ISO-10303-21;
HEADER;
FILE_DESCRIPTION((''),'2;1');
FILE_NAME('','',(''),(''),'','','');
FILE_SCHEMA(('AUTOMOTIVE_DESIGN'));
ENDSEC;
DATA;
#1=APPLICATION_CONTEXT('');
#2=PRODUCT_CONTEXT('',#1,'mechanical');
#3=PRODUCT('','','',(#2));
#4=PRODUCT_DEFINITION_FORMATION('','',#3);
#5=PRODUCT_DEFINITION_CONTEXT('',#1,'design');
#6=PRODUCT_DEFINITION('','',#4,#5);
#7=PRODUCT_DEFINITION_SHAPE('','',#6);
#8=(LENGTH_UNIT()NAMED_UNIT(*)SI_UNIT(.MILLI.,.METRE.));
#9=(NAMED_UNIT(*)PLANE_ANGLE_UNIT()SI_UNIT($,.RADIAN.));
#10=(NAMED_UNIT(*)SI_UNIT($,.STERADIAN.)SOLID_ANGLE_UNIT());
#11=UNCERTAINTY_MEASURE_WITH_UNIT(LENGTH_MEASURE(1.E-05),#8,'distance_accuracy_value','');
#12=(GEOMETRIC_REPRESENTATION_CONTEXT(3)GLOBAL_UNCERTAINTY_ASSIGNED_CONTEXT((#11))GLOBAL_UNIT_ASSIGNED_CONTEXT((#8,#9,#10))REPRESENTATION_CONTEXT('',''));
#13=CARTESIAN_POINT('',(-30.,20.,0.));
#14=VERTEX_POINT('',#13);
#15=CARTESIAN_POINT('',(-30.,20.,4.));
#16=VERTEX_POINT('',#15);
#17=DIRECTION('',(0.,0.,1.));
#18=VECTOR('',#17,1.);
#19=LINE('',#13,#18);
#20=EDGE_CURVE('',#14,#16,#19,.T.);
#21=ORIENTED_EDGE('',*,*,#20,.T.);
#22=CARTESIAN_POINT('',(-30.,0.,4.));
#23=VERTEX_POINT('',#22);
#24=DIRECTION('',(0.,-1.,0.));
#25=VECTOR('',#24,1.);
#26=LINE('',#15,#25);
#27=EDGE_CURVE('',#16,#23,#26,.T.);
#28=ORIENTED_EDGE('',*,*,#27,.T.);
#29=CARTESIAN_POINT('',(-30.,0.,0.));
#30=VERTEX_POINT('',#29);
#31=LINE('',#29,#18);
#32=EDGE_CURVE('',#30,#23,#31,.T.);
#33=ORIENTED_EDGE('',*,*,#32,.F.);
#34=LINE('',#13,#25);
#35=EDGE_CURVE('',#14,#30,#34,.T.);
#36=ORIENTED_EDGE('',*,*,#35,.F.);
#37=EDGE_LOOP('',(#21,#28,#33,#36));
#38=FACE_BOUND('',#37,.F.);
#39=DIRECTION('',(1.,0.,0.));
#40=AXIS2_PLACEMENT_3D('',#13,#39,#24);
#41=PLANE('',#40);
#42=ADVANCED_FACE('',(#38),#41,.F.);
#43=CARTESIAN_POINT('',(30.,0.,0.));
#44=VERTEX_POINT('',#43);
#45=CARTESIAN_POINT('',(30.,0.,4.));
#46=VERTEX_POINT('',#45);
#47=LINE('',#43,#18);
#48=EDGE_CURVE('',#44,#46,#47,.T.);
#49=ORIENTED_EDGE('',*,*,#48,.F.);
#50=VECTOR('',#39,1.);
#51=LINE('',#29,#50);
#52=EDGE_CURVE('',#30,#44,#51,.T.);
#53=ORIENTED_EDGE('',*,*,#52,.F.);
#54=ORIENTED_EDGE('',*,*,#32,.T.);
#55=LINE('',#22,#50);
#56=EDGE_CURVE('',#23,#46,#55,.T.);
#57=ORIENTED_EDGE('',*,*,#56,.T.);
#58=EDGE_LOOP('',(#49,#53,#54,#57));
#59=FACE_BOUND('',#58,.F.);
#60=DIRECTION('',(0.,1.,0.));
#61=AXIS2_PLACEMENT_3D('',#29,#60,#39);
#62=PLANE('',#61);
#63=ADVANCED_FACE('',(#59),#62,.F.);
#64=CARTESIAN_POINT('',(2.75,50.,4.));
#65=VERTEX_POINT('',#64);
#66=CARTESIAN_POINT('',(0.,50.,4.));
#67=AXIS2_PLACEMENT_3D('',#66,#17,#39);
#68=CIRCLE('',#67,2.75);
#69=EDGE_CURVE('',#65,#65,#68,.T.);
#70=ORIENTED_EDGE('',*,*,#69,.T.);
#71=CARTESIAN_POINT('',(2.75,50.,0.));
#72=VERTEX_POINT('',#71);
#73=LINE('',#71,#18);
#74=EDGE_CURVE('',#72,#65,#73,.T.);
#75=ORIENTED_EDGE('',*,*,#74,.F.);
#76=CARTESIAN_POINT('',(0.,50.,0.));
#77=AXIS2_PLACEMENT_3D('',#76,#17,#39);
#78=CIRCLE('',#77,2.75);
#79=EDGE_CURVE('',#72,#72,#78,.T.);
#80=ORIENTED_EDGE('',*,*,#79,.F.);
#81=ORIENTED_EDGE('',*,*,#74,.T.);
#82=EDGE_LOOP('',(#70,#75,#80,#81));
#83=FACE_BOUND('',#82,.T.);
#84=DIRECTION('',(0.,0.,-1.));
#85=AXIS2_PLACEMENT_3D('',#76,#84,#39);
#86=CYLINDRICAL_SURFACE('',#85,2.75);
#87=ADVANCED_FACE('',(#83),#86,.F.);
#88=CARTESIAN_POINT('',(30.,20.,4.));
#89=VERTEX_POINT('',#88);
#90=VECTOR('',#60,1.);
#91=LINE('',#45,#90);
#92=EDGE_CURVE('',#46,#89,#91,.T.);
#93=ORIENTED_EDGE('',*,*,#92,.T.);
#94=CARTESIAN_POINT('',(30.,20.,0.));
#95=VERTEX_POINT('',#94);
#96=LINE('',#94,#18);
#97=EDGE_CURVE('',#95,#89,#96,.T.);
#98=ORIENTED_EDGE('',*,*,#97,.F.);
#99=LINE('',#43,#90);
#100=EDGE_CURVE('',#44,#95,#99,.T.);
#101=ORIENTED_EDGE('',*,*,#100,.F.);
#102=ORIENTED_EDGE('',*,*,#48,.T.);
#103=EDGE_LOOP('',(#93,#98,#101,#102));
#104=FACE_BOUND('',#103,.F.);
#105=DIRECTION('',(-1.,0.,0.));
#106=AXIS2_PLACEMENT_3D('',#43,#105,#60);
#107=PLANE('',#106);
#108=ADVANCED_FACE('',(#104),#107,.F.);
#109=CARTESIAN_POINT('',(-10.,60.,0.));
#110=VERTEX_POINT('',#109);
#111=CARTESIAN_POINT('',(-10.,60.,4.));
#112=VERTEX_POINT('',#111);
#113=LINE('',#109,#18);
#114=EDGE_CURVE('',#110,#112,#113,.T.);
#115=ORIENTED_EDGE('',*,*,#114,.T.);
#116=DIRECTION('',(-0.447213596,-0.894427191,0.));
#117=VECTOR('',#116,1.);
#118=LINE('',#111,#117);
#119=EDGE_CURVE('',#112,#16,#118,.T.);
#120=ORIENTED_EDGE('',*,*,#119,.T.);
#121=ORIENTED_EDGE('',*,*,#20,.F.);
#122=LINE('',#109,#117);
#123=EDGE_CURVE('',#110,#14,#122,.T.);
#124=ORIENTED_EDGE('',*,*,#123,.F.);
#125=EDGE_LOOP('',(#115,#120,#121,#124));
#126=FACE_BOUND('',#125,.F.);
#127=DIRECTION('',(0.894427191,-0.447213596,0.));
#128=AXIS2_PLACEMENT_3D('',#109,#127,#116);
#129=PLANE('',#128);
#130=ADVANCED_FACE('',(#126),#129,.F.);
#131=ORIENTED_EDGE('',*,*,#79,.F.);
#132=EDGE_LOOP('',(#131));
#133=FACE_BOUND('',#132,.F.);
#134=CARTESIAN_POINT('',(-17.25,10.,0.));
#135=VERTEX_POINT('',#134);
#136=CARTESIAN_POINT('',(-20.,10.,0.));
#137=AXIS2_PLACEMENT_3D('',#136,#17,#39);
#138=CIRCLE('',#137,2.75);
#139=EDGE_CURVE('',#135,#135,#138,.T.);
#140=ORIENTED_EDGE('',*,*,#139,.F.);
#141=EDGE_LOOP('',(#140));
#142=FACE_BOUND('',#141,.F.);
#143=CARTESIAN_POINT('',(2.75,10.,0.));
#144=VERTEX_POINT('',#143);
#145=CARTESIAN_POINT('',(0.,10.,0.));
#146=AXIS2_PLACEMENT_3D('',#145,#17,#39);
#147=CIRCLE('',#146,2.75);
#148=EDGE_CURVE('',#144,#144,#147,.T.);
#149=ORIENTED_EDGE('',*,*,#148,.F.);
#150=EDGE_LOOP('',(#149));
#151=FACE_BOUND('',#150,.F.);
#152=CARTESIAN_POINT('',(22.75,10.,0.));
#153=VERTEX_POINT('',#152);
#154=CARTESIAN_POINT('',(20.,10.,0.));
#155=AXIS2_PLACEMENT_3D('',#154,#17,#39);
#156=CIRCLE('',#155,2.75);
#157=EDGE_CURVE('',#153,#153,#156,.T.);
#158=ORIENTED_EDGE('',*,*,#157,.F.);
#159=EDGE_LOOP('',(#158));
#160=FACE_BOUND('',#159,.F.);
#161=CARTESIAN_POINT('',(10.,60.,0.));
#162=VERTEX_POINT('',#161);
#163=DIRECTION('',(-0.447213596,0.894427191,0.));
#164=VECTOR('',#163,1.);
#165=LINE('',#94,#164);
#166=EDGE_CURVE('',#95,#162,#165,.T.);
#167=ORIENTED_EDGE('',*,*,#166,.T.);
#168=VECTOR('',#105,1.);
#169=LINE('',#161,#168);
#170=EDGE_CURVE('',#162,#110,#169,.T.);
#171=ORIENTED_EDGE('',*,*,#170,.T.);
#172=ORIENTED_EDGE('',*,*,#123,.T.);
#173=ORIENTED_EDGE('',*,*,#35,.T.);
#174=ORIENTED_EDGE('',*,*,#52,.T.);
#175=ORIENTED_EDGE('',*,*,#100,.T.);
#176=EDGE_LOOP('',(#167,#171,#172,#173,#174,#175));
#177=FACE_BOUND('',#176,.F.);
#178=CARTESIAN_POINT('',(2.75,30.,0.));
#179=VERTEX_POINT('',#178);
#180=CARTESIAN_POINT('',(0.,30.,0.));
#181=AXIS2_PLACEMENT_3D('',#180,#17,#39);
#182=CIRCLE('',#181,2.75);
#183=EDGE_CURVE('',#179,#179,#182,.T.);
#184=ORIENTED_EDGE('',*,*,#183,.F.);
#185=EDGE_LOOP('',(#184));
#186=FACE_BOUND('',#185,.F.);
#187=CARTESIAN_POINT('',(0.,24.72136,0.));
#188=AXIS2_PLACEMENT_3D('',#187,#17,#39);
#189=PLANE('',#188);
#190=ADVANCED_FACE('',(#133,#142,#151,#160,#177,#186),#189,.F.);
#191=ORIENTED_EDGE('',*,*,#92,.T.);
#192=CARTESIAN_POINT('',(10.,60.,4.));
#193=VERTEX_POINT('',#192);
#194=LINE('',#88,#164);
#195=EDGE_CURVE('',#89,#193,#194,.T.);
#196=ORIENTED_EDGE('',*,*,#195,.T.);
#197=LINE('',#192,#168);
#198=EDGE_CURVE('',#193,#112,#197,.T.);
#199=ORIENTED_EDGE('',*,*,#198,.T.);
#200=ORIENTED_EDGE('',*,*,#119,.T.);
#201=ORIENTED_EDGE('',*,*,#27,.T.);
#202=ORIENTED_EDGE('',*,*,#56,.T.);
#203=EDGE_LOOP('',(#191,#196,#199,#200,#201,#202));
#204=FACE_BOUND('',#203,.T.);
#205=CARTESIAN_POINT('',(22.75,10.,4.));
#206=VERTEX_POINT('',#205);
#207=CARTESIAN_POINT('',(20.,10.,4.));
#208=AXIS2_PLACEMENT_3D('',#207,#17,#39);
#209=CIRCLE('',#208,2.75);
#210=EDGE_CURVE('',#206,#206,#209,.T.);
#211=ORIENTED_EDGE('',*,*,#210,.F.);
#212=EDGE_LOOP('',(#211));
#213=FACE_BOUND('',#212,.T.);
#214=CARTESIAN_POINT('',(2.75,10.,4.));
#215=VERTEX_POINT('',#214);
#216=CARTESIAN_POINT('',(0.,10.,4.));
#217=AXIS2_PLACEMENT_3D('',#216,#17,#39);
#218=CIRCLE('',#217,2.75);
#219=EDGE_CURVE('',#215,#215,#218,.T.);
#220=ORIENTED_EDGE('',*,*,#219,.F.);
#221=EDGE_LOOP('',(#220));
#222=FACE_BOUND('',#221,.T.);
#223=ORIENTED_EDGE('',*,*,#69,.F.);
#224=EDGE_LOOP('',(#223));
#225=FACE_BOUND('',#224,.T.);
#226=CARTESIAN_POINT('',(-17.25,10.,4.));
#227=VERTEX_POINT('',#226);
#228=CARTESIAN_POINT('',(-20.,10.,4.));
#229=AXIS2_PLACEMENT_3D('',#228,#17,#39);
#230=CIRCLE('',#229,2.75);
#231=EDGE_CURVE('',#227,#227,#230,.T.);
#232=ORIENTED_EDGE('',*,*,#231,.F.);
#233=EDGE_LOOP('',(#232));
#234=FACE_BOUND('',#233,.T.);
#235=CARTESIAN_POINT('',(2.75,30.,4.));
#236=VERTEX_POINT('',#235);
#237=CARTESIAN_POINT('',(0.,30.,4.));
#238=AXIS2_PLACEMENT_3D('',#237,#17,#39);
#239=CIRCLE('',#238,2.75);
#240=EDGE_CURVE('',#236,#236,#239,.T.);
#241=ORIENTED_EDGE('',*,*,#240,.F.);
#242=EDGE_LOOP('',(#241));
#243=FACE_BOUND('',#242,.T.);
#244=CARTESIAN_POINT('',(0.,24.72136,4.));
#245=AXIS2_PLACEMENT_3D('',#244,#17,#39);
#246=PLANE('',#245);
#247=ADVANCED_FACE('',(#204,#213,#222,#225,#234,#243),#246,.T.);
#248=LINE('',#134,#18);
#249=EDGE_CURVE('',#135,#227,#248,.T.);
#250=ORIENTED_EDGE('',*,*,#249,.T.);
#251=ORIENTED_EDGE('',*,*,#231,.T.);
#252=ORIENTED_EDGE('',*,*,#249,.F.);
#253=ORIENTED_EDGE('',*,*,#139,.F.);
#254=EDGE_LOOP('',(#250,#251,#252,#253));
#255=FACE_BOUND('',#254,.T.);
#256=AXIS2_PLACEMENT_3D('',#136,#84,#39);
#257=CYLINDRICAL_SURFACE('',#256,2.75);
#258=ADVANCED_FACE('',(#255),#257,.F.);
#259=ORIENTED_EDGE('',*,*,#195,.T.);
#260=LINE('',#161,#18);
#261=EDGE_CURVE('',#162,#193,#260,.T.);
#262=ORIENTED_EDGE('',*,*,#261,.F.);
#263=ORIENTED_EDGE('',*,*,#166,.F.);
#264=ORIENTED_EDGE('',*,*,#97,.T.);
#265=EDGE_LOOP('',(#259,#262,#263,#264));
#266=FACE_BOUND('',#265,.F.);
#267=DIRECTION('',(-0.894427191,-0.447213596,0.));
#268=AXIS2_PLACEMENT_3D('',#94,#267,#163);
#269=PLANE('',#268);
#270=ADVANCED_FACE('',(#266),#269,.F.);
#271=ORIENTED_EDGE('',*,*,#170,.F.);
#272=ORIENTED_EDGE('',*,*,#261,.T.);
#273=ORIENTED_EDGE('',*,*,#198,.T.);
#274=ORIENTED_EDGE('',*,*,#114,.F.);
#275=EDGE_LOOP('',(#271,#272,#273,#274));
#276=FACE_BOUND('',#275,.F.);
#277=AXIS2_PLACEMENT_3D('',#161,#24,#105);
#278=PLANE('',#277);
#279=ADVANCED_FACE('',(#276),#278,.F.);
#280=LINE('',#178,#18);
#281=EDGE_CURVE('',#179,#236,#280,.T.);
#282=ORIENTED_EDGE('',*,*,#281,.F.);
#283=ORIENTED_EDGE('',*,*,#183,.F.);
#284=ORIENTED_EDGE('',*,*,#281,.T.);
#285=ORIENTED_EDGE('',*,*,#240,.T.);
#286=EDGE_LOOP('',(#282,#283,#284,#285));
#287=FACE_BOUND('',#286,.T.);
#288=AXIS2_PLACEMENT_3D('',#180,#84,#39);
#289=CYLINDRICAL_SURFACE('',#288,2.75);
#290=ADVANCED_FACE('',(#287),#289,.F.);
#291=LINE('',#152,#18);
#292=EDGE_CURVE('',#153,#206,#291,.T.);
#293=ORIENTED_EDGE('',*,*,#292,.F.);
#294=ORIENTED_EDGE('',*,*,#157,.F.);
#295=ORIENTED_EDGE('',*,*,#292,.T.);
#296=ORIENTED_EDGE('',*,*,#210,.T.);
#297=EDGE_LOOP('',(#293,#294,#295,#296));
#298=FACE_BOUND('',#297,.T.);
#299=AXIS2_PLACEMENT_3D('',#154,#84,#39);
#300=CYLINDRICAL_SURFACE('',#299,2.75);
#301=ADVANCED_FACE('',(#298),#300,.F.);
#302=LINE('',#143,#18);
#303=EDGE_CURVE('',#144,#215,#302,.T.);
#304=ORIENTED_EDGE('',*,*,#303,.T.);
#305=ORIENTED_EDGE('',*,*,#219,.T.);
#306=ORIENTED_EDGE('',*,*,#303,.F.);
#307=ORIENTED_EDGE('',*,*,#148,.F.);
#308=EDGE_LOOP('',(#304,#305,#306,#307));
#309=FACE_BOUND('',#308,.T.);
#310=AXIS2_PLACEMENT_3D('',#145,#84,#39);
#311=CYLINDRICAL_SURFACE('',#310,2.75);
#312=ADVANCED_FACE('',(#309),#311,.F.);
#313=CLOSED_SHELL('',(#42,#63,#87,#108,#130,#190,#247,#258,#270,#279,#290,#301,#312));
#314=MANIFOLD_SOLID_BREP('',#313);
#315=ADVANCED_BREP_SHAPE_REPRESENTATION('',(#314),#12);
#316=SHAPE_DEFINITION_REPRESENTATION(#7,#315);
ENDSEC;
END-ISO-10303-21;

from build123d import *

# Parameters (mm, degrees)
F0_R     = 2.75
F1_DEPTH = 4


with BuildPart() as f1:
    # F0 (on Top) → F1 (new body)
    with BuildSketch(Plane.XY):
        Polygon((-30, 20), (-30, 0), (30, 0), (30, 20), (10, 60), (-10, 60), align=None)
        with Locations((-20, 10)):
            Circle(F0_R, mode=Mode.SUBTRACT)
        with Locations((0, 10)):
            Circle(F0_R, mode=Mode.SUBTRACT)
        with Locations((20, 10)):
            Circle(F0_R, mode=Mode.SUBTRACT)
        with Locations((0, 30)):
            Circle(F0_R, mode=Mode.SUBTRACT)
        with Locations((0, 50)):
            Circle(F0_R, mode=Mode.SUBTRACT)
    extrude(amount=F1_DEPTH)


solid = f1.part
